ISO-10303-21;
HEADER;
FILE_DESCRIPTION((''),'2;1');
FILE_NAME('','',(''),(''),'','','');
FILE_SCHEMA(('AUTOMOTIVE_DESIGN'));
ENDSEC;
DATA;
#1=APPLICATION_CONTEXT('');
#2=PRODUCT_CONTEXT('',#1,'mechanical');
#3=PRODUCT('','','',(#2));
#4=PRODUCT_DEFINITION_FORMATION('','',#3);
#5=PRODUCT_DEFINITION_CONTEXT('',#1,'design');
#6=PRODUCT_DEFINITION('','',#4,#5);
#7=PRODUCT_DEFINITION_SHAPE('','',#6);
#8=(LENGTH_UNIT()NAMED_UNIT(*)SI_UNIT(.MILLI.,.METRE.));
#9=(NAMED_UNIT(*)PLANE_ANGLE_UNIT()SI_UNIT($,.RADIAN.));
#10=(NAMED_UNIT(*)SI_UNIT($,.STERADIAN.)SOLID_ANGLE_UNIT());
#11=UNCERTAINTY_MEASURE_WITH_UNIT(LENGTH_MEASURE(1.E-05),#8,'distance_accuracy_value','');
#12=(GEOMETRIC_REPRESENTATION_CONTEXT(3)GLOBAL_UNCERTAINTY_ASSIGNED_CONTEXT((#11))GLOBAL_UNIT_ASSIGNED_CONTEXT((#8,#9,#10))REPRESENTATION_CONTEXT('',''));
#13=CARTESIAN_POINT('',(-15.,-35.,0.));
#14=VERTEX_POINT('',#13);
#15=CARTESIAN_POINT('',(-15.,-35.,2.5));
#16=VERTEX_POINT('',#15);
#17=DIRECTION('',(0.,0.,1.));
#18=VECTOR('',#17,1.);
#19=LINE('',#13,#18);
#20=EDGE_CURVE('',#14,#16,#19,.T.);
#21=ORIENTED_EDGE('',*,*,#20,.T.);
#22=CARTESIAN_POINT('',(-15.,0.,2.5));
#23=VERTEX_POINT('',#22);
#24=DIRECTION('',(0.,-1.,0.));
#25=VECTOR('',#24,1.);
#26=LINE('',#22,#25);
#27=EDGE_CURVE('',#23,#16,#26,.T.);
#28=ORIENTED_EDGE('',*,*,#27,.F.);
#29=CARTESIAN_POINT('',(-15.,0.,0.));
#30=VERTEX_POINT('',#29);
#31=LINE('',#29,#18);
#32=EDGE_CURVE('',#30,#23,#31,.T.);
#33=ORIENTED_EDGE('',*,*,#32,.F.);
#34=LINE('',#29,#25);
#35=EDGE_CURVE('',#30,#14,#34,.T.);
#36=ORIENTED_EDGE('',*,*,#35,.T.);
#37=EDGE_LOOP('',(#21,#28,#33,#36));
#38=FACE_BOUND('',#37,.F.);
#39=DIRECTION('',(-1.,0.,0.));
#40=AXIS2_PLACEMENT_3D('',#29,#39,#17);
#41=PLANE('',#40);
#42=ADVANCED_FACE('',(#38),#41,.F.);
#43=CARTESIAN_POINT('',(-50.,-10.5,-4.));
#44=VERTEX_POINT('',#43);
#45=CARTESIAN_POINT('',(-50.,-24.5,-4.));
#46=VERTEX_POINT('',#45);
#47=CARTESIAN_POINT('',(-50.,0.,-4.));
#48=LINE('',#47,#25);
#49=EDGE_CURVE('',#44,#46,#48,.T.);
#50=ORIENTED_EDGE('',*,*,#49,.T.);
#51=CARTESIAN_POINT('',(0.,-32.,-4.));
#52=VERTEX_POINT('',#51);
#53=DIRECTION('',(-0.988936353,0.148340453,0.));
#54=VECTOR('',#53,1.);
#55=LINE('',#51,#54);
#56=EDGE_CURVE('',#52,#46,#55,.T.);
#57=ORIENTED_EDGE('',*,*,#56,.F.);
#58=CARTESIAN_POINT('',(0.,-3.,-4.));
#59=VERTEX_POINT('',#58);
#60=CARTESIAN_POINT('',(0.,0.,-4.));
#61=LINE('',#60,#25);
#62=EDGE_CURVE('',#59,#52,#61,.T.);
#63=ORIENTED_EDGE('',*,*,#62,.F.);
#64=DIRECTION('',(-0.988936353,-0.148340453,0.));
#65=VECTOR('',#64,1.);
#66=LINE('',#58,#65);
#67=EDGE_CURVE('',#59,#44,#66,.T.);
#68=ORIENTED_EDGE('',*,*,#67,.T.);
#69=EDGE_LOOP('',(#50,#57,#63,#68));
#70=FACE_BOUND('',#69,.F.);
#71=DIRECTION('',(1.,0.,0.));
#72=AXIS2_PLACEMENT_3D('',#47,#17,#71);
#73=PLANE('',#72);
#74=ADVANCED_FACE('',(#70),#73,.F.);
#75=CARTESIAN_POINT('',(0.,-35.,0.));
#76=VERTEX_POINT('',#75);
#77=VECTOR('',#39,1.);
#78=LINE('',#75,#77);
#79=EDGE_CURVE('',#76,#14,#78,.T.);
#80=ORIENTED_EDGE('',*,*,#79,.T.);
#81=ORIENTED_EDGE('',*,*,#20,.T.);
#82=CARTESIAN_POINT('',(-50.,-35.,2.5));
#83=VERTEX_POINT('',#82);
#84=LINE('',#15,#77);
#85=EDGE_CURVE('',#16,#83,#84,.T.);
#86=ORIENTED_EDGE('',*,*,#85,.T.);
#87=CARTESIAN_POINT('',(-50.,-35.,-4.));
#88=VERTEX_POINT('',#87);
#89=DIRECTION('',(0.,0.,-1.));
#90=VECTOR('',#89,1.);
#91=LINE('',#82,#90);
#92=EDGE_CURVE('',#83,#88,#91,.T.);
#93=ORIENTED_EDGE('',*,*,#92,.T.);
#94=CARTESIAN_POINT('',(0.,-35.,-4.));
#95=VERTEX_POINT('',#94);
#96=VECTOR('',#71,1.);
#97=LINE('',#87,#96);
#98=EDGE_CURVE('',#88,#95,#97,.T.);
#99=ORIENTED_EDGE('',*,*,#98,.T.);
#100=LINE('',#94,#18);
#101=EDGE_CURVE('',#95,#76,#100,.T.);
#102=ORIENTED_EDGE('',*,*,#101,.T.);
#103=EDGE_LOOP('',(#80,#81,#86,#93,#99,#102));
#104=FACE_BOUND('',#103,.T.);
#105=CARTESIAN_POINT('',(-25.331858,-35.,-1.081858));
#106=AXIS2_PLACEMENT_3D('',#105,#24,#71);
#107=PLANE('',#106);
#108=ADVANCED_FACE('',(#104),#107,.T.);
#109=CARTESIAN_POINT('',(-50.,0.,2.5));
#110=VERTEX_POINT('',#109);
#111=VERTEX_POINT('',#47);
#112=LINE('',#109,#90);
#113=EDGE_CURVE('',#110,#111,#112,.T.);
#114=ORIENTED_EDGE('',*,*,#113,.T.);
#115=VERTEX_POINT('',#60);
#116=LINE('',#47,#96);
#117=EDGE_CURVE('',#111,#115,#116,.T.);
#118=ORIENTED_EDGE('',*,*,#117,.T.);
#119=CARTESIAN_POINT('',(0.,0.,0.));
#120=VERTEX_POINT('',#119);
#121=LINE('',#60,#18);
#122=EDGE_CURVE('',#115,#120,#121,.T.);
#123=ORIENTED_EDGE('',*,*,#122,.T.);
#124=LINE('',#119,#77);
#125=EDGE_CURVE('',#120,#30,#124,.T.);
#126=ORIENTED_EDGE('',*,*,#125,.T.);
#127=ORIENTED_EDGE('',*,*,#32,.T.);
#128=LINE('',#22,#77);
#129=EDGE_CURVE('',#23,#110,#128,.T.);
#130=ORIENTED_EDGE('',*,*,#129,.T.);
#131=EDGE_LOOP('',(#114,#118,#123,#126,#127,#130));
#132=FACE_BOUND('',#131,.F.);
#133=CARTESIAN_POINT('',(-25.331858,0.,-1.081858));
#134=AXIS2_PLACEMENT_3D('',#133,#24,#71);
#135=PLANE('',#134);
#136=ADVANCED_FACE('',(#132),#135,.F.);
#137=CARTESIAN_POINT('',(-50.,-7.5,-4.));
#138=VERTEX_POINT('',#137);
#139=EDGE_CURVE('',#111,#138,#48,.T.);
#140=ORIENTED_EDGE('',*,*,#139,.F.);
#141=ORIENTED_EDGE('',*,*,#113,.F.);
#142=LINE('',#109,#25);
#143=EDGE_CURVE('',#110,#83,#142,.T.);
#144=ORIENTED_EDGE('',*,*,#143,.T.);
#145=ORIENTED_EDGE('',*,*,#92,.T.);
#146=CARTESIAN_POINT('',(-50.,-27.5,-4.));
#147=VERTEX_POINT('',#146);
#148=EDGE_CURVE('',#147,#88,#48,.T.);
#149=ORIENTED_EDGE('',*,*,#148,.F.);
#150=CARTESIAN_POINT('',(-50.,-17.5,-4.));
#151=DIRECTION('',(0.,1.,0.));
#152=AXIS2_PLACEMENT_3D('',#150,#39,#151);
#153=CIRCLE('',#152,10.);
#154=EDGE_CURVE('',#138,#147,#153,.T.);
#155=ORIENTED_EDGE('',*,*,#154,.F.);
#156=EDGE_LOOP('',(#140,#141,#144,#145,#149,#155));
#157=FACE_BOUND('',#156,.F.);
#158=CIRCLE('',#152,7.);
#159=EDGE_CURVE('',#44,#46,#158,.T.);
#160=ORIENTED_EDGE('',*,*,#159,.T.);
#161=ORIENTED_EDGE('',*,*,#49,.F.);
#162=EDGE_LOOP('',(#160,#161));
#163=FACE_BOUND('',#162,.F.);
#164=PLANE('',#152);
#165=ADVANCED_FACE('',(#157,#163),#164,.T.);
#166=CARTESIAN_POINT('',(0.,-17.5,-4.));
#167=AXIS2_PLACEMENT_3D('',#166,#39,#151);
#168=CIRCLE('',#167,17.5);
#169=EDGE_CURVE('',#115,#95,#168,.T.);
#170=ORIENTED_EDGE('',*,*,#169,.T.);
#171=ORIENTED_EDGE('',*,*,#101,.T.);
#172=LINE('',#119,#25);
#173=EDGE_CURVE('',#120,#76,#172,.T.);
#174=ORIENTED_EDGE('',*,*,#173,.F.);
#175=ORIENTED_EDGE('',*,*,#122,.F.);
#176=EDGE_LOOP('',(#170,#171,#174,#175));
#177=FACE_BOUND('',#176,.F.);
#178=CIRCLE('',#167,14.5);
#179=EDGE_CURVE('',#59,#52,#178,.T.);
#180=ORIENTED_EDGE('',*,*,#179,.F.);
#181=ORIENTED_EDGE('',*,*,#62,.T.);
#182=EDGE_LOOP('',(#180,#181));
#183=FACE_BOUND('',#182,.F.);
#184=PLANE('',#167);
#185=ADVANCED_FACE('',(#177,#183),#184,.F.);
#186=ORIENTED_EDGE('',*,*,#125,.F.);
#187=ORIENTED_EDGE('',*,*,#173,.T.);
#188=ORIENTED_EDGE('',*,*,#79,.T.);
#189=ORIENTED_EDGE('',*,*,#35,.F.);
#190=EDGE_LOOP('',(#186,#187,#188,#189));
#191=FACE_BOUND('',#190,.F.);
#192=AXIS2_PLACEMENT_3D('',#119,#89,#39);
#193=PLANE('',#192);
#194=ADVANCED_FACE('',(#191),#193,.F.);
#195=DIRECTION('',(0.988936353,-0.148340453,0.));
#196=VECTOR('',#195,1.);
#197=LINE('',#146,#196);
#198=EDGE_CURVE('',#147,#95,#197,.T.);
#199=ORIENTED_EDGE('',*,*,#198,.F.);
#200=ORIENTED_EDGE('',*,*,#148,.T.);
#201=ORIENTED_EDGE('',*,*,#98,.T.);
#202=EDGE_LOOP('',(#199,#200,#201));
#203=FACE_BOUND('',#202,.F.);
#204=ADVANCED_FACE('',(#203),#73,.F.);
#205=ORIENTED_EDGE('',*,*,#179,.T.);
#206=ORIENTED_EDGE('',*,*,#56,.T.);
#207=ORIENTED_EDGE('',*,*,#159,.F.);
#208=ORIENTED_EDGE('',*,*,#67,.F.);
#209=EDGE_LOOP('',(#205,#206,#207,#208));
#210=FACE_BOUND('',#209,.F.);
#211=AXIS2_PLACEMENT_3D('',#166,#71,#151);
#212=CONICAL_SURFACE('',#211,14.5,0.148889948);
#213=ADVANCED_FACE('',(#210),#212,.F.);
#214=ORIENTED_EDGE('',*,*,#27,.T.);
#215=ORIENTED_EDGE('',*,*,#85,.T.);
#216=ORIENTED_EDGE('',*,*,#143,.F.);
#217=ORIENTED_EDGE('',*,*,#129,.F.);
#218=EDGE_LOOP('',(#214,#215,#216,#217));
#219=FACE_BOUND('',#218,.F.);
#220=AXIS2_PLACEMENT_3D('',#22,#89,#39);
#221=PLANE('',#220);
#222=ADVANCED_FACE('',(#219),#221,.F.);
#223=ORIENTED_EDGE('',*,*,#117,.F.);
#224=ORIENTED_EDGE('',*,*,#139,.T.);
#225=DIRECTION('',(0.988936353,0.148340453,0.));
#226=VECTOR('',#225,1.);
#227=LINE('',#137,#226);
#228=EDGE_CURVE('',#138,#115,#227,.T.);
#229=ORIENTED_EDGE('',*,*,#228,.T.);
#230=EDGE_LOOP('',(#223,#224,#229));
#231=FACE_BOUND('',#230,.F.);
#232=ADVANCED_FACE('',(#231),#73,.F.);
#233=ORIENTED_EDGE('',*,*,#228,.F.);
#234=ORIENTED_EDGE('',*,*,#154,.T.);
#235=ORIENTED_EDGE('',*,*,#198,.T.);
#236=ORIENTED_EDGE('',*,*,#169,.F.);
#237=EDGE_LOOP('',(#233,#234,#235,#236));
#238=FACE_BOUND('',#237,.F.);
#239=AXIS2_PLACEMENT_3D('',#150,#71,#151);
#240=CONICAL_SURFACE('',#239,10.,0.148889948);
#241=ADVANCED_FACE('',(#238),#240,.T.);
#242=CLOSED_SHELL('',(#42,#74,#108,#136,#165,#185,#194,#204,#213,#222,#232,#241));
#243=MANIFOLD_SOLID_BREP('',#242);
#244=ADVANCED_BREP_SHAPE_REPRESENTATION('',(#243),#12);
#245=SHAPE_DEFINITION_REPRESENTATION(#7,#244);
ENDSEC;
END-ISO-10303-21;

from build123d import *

# Parameters (mm, degrees)
F1_DEPTH = 35
F3_ANGLE = -180


with BuildPart() as f1:
    # F0 (on Front) → F1 (new body)
    with BuildSketch(Plane.XZ):
        Polygon((0, -4), (0, 0), (-15, 0), (-15, 2.5), (-50, 2.5), (-50, -4), align=None)
    extrude(amount=F1_DEPTH)

    # F2 (on face) → F3 (revolve)
    with BuildSketch(Plane(origin=(0, 0, -4), x_dir=(1, 0, 0), z_dir=(0, 0, -1))):
        Polygon((-50, 7.5), (0, 0), (0, 3), (-50, 10.5), align=None)
    revolve(axis=Axis((-28.842393, -17.5, -4), (1, 0, 0)), revolution_arc=F3_ANGLE)


solid = f1.part
